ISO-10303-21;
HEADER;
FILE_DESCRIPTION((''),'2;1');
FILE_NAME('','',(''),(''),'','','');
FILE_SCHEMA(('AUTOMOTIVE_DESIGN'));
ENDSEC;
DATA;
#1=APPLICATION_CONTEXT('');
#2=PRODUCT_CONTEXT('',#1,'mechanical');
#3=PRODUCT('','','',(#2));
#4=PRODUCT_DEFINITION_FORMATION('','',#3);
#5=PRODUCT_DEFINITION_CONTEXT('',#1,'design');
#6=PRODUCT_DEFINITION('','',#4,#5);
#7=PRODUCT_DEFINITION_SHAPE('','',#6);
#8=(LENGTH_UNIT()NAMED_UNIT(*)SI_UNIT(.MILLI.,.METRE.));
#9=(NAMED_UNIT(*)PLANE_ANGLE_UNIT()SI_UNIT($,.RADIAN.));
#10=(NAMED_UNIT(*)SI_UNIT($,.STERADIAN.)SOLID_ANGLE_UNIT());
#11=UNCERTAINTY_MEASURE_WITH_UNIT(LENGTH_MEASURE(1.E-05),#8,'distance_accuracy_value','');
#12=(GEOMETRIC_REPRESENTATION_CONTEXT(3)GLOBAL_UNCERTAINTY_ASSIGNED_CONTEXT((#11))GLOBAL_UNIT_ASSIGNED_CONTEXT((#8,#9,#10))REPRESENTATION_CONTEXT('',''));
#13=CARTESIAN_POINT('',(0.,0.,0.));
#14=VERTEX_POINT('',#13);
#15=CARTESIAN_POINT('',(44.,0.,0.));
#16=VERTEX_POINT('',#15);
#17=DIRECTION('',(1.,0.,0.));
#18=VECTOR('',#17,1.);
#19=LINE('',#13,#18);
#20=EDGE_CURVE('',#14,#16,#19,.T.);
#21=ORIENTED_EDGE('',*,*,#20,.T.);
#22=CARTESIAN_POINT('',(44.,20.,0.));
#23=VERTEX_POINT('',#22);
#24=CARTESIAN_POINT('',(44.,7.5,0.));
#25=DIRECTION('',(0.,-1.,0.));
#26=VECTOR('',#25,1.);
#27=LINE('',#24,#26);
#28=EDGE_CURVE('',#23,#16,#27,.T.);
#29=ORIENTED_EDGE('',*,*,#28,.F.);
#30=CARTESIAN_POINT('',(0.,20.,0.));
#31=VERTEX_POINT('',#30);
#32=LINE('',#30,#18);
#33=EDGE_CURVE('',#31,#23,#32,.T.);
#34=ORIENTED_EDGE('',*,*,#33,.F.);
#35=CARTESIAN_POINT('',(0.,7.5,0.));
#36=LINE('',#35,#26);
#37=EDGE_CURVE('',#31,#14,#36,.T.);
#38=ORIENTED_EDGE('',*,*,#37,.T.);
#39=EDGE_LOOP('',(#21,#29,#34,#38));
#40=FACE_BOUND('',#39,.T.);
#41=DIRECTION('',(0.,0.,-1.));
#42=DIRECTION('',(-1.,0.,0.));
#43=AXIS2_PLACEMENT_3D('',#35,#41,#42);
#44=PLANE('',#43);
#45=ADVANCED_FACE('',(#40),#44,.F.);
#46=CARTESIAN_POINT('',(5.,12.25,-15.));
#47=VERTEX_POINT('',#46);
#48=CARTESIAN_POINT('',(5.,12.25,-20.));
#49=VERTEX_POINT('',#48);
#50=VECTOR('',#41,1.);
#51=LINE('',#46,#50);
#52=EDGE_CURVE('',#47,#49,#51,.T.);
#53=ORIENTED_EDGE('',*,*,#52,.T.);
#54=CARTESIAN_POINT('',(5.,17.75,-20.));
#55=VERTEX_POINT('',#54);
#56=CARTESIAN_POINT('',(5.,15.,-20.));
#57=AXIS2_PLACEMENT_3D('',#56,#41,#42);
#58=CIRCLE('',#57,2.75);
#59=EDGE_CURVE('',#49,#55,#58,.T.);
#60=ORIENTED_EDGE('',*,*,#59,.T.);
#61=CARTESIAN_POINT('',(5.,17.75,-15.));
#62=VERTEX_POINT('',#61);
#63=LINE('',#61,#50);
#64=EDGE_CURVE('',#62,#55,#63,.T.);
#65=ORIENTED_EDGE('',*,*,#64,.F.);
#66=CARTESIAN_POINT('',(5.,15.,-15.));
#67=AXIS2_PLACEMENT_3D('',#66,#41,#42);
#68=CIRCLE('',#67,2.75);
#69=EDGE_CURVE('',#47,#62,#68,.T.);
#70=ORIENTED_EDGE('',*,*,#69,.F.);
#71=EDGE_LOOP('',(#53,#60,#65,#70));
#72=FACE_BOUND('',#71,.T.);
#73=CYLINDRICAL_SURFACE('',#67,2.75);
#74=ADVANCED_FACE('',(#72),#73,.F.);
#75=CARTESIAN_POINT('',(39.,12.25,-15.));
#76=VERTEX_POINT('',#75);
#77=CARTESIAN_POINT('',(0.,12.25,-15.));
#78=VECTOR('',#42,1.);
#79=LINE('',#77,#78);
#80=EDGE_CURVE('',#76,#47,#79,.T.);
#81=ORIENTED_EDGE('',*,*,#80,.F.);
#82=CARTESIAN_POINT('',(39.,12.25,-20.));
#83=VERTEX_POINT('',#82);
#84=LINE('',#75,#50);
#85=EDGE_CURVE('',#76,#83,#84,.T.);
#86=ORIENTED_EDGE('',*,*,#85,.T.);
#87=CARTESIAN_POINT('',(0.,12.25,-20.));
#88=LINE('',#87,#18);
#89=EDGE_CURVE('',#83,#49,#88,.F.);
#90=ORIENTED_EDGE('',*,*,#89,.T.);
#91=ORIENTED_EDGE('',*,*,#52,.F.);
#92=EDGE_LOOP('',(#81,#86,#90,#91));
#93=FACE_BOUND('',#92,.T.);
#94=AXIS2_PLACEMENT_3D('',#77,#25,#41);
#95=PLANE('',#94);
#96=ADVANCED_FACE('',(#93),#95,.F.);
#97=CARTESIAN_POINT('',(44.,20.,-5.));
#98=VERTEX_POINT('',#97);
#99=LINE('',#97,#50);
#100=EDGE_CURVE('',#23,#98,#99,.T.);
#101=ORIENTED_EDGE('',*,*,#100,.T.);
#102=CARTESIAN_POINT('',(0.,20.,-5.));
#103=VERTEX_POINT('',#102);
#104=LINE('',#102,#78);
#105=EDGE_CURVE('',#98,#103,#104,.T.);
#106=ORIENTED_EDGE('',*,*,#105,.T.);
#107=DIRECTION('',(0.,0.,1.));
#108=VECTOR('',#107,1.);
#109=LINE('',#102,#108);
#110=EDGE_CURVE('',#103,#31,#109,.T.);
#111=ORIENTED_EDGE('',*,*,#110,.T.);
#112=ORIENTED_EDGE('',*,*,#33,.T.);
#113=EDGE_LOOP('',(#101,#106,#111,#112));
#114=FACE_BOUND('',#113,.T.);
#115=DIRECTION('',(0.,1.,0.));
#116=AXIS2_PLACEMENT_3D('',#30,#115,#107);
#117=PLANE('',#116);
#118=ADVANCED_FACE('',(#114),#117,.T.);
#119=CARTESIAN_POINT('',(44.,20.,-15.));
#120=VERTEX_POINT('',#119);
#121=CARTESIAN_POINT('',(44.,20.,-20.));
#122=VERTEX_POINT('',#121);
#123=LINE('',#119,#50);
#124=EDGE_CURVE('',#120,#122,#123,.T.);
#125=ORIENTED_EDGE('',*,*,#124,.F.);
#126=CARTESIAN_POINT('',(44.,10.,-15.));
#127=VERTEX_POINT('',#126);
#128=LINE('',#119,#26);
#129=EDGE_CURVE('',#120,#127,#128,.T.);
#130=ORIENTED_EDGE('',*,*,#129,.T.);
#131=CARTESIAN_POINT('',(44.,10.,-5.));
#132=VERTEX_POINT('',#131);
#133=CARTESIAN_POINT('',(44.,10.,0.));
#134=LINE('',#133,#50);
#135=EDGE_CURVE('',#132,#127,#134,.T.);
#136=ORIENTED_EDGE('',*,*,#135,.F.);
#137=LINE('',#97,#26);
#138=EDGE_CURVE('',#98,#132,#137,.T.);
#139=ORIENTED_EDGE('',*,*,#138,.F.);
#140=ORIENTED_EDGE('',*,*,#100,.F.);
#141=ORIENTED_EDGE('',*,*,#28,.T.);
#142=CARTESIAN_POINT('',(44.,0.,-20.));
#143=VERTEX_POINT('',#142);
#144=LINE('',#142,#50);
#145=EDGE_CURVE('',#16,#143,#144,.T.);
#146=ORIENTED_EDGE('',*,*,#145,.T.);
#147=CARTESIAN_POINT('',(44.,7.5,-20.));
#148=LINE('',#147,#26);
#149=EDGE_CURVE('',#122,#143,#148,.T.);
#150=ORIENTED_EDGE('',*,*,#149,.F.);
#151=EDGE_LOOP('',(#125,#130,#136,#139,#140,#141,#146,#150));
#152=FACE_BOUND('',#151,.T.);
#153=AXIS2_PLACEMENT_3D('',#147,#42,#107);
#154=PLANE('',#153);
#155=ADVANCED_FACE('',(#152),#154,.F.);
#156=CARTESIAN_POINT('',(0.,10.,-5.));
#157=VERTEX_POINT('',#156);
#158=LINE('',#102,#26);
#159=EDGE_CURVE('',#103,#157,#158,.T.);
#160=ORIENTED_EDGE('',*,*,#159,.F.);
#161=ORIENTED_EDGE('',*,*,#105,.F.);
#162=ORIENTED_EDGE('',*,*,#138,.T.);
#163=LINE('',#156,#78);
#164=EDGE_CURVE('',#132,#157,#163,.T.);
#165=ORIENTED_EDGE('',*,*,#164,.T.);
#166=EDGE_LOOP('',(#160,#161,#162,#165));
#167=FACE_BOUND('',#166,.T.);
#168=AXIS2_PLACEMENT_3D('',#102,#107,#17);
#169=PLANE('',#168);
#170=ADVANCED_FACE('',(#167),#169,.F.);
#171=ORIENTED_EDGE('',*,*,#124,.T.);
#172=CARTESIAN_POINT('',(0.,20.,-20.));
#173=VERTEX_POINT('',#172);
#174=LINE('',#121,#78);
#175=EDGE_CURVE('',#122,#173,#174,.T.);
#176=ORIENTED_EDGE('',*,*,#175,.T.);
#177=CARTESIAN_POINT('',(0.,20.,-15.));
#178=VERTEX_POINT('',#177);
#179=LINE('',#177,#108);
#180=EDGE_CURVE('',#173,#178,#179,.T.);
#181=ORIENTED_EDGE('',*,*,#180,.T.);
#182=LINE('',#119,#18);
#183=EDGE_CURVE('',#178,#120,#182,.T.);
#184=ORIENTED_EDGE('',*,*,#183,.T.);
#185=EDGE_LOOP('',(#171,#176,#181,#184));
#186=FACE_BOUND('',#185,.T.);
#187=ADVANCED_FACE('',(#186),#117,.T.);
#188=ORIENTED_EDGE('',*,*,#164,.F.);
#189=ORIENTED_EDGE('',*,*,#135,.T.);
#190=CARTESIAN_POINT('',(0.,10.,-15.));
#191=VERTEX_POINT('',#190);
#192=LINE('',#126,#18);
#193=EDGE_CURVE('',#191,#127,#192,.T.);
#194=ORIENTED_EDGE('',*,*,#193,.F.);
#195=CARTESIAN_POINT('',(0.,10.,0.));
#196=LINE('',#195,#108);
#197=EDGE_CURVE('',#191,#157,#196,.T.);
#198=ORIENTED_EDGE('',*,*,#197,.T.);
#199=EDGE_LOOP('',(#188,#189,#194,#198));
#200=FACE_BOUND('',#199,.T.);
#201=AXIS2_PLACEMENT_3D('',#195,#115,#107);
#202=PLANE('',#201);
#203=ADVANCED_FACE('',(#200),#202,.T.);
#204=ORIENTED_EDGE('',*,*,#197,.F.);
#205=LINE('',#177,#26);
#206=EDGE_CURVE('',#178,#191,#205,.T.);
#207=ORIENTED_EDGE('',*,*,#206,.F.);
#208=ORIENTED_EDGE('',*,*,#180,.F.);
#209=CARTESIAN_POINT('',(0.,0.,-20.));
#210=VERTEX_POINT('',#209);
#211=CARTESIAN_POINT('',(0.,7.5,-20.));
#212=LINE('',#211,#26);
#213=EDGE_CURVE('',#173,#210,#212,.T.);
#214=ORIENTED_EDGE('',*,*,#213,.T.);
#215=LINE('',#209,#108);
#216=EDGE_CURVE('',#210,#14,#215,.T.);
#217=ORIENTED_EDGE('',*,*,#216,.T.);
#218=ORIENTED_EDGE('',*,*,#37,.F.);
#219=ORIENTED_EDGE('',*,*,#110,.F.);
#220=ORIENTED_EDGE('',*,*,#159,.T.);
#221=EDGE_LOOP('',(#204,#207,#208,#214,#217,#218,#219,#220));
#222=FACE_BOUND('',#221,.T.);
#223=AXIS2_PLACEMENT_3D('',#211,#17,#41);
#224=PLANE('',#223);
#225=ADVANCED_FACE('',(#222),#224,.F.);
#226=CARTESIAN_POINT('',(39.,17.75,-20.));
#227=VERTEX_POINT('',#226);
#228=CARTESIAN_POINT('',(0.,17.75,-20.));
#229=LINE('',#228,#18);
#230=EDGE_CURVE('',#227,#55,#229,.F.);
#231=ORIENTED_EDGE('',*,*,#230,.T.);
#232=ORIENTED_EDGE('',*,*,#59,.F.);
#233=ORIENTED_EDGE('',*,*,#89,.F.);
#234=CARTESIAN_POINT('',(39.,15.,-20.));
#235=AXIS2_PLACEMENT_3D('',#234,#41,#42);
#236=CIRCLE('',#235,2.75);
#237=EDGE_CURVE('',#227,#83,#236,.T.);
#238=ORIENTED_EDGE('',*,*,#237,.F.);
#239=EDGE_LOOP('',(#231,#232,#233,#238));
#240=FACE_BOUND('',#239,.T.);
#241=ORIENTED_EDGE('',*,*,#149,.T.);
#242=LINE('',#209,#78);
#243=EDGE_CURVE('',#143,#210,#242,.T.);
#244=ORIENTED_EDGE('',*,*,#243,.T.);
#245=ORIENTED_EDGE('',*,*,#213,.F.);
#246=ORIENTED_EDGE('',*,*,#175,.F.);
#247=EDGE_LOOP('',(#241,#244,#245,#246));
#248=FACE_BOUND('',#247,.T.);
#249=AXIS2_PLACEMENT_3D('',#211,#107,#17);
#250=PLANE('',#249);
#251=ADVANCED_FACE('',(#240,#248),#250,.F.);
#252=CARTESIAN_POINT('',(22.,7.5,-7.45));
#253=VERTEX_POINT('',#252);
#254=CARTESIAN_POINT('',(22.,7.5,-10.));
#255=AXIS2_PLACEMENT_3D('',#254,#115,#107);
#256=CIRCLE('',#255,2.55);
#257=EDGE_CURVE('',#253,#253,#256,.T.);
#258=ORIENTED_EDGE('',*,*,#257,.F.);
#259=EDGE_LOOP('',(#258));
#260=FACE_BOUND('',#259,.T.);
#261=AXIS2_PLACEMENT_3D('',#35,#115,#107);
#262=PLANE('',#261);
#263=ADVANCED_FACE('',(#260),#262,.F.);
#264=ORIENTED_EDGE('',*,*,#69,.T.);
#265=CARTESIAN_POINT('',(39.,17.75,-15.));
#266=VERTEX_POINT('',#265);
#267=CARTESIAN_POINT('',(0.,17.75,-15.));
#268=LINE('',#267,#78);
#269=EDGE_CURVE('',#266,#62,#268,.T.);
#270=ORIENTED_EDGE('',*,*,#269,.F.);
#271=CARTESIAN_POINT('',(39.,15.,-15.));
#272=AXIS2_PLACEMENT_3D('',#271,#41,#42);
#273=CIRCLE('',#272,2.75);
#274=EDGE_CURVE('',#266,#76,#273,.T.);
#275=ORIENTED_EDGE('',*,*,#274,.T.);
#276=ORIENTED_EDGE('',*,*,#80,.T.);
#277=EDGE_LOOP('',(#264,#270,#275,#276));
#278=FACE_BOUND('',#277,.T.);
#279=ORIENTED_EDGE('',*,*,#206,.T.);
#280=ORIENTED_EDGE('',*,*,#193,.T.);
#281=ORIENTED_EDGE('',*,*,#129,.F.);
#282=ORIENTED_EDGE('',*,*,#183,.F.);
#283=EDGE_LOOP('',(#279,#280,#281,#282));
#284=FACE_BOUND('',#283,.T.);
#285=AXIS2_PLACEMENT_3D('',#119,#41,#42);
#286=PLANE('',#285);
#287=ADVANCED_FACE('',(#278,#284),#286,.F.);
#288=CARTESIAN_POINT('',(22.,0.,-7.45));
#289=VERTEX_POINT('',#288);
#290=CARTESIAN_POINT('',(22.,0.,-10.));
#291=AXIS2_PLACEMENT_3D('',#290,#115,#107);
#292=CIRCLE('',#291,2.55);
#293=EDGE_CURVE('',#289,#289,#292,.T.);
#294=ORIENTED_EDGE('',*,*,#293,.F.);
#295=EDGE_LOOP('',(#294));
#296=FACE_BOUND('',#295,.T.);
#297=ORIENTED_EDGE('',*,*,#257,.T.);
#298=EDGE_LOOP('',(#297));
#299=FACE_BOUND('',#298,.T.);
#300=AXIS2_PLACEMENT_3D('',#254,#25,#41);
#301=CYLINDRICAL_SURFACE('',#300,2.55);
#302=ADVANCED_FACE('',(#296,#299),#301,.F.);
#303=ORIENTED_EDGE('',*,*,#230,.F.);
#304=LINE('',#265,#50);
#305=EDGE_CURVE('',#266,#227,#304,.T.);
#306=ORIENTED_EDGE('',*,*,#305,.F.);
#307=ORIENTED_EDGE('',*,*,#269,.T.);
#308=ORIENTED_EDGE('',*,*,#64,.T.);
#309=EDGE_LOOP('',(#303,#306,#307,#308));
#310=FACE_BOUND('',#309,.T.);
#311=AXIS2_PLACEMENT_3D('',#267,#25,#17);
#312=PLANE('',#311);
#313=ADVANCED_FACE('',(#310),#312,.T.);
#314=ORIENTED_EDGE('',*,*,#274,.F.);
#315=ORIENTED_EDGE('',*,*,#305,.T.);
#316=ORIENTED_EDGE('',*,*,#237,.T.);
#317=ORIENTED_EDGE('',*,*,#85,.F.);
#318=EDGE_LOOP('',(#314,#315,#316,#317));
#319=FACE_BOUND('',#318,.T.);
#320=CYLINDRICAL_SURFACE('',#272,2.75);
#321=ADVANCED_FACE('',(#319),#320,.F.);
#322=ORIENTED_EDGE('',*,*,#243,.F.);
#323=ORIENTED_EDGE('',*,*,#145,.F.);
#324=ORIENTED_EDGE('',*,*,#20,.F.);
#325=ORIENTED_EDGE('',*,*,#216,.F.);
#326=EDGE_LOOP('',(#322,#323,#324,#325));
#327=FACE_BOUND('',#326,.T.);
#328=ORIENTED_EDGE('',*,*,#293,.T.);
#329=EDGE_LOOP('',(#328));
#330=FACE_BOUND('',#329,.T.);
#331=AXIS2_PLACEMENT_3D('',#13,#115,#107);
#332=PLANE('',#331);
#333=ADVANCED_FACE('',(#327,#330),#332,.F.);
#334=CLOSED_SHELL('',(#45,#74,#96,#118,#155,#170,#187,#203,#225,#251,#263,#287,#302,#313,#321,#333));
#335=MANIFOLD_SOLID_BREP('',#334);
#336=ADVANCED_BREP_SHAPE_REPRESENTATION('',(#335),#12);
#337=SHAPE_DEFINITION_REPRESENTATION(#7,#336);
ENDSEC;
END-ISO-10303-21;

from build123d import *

# Parameters (mm, degrees)
SKETCH1_W               = 44
SKETCH1_H               = 20
SKETCH1_R               = 2.55
BOSS_EXTRUDE1_DEPTH     = 7.5
SKETCH2_W               = 44
SKETCH2_H               = 20
BOSS_EXTRUDE2_DEPTH     = 2.5
SKETCH3_W               = 44
SKETCH3_H               = 5
BOSS_EXTRUDE3_DEPTH     = 10
CUT_EXTRUDE1_DEPTH      = 1
CUT_EXTRUDE1_DEPTH_BACK = 5


with BuildPart() as part:
    # Sketch1 → Boss-Extrude1 (new body)
    with BuildSketch(Plane(origin=(0, 0, 0), x_dir=(1, 0, 0), z_dir=(0, 1, 0))):
        with Locations((22, 10)):
            Rectangle(SKETCH1_W, SKETCH1_H)
        with Locations((22, 10)):
            Circle(SKETCH1_R, mode=Mode.SUBTRACT)
    extrude(amount=BOSS_EXTRUDE1_DEPTH)

    # Sketch2 → Boss-Extrude2 (add)
    with BuildSketch(Plane(origin=(0, 7.5, 0), x_dir=(1, 0, 0), z_dir=(0, 1, 0))):
        with Locations((22, 10)):
            Rectangle(SKETCH2_W, SKETCH2_H)
    extrude(amount=BOSS_EXTRUDE2_DEPTH)

    # Sketch3 → Boss-Extrude3 (add)
    with BuildSketch(Plane(origin=(0, 10, 0), x_dir=(1, 0, 0), z_dir=(0, 1, 0))):
        with Locations((22, 2.5)):
            Rectangle(SKETCH3_W, SKETCH3_H)
        with Locations((22, 17.5)):
            Rectangle(SKETCH3_W, SKETCH3_H)
    extrude(amount=BOSS_EXTRUDE3_DEPTH)

    # Sketch4 → Cut-Extrude1 (cut, two sides)
    with BuildSketch(Plane(origin=(0, 0, -20), x_dir=(-1, 0, 0), z_dir=(0, 0, -1))) as cut_extrude1_sk:
        with BuildLine():
            Line((-5, 17.75), (-39, 17.75))
            ThreePointArc((-39, 17.75), (-37.055456352, 16.944543648), (-36.25, 15))
            ThreePointArc((-36.25, 15), (-37.055456352, 13.055456352), (-39, 12.25))
            Line((-39, 12.25), (-5, 12.25))
            ThreePointArc((-5, 12.25), (-7.75, 15), (-5, 17.75))
        make_face()
        with BuildLine():
            ThreePointArc((-36.25, 15), (-37.055456352, 16.944543648), (-39, 17.75))
            Line((-39, 17.75), (-39, 12.25))
            ThreePointArc((-39, 12.25), (-37.055456352, 13.055456352), (-36.25, 15))
        make_face()
        with BuildLine():
            Line((-39, 12.25), (-39, 17.75))
            ThreePointArc((-39, 17.75), (-41.75, 15), (-39, 12.25))
        make_face()
        with BuildLine():
            ThreePointArc((-2.25, 15), (-3.055456352, 16.944543648), (-5, 17.75))
            Line((-5, 17.75), (-5, 12.25))
            ThreePointArc((-5, 12.25), (-3.055456352, 13.055456352), (-2.25, 15))
        make_face()
        with BuildLine():
            Line((-5, 12.25), (-5, 17.75))
            ThreePointArc((-5, 17.75), (-7.75, 15), (-5, 12.25))
        make_face()
    extrude(amount=CUT_EXTRUDE1_DEPTH, mode=Mode.SUBTRACT)
    extrude(cut_extrude1_sk.sketch, amount=-CUT_EXTRUDE1_DEPTH_BACK, mode=Mode.SUBTRACT)


solid = part.part
